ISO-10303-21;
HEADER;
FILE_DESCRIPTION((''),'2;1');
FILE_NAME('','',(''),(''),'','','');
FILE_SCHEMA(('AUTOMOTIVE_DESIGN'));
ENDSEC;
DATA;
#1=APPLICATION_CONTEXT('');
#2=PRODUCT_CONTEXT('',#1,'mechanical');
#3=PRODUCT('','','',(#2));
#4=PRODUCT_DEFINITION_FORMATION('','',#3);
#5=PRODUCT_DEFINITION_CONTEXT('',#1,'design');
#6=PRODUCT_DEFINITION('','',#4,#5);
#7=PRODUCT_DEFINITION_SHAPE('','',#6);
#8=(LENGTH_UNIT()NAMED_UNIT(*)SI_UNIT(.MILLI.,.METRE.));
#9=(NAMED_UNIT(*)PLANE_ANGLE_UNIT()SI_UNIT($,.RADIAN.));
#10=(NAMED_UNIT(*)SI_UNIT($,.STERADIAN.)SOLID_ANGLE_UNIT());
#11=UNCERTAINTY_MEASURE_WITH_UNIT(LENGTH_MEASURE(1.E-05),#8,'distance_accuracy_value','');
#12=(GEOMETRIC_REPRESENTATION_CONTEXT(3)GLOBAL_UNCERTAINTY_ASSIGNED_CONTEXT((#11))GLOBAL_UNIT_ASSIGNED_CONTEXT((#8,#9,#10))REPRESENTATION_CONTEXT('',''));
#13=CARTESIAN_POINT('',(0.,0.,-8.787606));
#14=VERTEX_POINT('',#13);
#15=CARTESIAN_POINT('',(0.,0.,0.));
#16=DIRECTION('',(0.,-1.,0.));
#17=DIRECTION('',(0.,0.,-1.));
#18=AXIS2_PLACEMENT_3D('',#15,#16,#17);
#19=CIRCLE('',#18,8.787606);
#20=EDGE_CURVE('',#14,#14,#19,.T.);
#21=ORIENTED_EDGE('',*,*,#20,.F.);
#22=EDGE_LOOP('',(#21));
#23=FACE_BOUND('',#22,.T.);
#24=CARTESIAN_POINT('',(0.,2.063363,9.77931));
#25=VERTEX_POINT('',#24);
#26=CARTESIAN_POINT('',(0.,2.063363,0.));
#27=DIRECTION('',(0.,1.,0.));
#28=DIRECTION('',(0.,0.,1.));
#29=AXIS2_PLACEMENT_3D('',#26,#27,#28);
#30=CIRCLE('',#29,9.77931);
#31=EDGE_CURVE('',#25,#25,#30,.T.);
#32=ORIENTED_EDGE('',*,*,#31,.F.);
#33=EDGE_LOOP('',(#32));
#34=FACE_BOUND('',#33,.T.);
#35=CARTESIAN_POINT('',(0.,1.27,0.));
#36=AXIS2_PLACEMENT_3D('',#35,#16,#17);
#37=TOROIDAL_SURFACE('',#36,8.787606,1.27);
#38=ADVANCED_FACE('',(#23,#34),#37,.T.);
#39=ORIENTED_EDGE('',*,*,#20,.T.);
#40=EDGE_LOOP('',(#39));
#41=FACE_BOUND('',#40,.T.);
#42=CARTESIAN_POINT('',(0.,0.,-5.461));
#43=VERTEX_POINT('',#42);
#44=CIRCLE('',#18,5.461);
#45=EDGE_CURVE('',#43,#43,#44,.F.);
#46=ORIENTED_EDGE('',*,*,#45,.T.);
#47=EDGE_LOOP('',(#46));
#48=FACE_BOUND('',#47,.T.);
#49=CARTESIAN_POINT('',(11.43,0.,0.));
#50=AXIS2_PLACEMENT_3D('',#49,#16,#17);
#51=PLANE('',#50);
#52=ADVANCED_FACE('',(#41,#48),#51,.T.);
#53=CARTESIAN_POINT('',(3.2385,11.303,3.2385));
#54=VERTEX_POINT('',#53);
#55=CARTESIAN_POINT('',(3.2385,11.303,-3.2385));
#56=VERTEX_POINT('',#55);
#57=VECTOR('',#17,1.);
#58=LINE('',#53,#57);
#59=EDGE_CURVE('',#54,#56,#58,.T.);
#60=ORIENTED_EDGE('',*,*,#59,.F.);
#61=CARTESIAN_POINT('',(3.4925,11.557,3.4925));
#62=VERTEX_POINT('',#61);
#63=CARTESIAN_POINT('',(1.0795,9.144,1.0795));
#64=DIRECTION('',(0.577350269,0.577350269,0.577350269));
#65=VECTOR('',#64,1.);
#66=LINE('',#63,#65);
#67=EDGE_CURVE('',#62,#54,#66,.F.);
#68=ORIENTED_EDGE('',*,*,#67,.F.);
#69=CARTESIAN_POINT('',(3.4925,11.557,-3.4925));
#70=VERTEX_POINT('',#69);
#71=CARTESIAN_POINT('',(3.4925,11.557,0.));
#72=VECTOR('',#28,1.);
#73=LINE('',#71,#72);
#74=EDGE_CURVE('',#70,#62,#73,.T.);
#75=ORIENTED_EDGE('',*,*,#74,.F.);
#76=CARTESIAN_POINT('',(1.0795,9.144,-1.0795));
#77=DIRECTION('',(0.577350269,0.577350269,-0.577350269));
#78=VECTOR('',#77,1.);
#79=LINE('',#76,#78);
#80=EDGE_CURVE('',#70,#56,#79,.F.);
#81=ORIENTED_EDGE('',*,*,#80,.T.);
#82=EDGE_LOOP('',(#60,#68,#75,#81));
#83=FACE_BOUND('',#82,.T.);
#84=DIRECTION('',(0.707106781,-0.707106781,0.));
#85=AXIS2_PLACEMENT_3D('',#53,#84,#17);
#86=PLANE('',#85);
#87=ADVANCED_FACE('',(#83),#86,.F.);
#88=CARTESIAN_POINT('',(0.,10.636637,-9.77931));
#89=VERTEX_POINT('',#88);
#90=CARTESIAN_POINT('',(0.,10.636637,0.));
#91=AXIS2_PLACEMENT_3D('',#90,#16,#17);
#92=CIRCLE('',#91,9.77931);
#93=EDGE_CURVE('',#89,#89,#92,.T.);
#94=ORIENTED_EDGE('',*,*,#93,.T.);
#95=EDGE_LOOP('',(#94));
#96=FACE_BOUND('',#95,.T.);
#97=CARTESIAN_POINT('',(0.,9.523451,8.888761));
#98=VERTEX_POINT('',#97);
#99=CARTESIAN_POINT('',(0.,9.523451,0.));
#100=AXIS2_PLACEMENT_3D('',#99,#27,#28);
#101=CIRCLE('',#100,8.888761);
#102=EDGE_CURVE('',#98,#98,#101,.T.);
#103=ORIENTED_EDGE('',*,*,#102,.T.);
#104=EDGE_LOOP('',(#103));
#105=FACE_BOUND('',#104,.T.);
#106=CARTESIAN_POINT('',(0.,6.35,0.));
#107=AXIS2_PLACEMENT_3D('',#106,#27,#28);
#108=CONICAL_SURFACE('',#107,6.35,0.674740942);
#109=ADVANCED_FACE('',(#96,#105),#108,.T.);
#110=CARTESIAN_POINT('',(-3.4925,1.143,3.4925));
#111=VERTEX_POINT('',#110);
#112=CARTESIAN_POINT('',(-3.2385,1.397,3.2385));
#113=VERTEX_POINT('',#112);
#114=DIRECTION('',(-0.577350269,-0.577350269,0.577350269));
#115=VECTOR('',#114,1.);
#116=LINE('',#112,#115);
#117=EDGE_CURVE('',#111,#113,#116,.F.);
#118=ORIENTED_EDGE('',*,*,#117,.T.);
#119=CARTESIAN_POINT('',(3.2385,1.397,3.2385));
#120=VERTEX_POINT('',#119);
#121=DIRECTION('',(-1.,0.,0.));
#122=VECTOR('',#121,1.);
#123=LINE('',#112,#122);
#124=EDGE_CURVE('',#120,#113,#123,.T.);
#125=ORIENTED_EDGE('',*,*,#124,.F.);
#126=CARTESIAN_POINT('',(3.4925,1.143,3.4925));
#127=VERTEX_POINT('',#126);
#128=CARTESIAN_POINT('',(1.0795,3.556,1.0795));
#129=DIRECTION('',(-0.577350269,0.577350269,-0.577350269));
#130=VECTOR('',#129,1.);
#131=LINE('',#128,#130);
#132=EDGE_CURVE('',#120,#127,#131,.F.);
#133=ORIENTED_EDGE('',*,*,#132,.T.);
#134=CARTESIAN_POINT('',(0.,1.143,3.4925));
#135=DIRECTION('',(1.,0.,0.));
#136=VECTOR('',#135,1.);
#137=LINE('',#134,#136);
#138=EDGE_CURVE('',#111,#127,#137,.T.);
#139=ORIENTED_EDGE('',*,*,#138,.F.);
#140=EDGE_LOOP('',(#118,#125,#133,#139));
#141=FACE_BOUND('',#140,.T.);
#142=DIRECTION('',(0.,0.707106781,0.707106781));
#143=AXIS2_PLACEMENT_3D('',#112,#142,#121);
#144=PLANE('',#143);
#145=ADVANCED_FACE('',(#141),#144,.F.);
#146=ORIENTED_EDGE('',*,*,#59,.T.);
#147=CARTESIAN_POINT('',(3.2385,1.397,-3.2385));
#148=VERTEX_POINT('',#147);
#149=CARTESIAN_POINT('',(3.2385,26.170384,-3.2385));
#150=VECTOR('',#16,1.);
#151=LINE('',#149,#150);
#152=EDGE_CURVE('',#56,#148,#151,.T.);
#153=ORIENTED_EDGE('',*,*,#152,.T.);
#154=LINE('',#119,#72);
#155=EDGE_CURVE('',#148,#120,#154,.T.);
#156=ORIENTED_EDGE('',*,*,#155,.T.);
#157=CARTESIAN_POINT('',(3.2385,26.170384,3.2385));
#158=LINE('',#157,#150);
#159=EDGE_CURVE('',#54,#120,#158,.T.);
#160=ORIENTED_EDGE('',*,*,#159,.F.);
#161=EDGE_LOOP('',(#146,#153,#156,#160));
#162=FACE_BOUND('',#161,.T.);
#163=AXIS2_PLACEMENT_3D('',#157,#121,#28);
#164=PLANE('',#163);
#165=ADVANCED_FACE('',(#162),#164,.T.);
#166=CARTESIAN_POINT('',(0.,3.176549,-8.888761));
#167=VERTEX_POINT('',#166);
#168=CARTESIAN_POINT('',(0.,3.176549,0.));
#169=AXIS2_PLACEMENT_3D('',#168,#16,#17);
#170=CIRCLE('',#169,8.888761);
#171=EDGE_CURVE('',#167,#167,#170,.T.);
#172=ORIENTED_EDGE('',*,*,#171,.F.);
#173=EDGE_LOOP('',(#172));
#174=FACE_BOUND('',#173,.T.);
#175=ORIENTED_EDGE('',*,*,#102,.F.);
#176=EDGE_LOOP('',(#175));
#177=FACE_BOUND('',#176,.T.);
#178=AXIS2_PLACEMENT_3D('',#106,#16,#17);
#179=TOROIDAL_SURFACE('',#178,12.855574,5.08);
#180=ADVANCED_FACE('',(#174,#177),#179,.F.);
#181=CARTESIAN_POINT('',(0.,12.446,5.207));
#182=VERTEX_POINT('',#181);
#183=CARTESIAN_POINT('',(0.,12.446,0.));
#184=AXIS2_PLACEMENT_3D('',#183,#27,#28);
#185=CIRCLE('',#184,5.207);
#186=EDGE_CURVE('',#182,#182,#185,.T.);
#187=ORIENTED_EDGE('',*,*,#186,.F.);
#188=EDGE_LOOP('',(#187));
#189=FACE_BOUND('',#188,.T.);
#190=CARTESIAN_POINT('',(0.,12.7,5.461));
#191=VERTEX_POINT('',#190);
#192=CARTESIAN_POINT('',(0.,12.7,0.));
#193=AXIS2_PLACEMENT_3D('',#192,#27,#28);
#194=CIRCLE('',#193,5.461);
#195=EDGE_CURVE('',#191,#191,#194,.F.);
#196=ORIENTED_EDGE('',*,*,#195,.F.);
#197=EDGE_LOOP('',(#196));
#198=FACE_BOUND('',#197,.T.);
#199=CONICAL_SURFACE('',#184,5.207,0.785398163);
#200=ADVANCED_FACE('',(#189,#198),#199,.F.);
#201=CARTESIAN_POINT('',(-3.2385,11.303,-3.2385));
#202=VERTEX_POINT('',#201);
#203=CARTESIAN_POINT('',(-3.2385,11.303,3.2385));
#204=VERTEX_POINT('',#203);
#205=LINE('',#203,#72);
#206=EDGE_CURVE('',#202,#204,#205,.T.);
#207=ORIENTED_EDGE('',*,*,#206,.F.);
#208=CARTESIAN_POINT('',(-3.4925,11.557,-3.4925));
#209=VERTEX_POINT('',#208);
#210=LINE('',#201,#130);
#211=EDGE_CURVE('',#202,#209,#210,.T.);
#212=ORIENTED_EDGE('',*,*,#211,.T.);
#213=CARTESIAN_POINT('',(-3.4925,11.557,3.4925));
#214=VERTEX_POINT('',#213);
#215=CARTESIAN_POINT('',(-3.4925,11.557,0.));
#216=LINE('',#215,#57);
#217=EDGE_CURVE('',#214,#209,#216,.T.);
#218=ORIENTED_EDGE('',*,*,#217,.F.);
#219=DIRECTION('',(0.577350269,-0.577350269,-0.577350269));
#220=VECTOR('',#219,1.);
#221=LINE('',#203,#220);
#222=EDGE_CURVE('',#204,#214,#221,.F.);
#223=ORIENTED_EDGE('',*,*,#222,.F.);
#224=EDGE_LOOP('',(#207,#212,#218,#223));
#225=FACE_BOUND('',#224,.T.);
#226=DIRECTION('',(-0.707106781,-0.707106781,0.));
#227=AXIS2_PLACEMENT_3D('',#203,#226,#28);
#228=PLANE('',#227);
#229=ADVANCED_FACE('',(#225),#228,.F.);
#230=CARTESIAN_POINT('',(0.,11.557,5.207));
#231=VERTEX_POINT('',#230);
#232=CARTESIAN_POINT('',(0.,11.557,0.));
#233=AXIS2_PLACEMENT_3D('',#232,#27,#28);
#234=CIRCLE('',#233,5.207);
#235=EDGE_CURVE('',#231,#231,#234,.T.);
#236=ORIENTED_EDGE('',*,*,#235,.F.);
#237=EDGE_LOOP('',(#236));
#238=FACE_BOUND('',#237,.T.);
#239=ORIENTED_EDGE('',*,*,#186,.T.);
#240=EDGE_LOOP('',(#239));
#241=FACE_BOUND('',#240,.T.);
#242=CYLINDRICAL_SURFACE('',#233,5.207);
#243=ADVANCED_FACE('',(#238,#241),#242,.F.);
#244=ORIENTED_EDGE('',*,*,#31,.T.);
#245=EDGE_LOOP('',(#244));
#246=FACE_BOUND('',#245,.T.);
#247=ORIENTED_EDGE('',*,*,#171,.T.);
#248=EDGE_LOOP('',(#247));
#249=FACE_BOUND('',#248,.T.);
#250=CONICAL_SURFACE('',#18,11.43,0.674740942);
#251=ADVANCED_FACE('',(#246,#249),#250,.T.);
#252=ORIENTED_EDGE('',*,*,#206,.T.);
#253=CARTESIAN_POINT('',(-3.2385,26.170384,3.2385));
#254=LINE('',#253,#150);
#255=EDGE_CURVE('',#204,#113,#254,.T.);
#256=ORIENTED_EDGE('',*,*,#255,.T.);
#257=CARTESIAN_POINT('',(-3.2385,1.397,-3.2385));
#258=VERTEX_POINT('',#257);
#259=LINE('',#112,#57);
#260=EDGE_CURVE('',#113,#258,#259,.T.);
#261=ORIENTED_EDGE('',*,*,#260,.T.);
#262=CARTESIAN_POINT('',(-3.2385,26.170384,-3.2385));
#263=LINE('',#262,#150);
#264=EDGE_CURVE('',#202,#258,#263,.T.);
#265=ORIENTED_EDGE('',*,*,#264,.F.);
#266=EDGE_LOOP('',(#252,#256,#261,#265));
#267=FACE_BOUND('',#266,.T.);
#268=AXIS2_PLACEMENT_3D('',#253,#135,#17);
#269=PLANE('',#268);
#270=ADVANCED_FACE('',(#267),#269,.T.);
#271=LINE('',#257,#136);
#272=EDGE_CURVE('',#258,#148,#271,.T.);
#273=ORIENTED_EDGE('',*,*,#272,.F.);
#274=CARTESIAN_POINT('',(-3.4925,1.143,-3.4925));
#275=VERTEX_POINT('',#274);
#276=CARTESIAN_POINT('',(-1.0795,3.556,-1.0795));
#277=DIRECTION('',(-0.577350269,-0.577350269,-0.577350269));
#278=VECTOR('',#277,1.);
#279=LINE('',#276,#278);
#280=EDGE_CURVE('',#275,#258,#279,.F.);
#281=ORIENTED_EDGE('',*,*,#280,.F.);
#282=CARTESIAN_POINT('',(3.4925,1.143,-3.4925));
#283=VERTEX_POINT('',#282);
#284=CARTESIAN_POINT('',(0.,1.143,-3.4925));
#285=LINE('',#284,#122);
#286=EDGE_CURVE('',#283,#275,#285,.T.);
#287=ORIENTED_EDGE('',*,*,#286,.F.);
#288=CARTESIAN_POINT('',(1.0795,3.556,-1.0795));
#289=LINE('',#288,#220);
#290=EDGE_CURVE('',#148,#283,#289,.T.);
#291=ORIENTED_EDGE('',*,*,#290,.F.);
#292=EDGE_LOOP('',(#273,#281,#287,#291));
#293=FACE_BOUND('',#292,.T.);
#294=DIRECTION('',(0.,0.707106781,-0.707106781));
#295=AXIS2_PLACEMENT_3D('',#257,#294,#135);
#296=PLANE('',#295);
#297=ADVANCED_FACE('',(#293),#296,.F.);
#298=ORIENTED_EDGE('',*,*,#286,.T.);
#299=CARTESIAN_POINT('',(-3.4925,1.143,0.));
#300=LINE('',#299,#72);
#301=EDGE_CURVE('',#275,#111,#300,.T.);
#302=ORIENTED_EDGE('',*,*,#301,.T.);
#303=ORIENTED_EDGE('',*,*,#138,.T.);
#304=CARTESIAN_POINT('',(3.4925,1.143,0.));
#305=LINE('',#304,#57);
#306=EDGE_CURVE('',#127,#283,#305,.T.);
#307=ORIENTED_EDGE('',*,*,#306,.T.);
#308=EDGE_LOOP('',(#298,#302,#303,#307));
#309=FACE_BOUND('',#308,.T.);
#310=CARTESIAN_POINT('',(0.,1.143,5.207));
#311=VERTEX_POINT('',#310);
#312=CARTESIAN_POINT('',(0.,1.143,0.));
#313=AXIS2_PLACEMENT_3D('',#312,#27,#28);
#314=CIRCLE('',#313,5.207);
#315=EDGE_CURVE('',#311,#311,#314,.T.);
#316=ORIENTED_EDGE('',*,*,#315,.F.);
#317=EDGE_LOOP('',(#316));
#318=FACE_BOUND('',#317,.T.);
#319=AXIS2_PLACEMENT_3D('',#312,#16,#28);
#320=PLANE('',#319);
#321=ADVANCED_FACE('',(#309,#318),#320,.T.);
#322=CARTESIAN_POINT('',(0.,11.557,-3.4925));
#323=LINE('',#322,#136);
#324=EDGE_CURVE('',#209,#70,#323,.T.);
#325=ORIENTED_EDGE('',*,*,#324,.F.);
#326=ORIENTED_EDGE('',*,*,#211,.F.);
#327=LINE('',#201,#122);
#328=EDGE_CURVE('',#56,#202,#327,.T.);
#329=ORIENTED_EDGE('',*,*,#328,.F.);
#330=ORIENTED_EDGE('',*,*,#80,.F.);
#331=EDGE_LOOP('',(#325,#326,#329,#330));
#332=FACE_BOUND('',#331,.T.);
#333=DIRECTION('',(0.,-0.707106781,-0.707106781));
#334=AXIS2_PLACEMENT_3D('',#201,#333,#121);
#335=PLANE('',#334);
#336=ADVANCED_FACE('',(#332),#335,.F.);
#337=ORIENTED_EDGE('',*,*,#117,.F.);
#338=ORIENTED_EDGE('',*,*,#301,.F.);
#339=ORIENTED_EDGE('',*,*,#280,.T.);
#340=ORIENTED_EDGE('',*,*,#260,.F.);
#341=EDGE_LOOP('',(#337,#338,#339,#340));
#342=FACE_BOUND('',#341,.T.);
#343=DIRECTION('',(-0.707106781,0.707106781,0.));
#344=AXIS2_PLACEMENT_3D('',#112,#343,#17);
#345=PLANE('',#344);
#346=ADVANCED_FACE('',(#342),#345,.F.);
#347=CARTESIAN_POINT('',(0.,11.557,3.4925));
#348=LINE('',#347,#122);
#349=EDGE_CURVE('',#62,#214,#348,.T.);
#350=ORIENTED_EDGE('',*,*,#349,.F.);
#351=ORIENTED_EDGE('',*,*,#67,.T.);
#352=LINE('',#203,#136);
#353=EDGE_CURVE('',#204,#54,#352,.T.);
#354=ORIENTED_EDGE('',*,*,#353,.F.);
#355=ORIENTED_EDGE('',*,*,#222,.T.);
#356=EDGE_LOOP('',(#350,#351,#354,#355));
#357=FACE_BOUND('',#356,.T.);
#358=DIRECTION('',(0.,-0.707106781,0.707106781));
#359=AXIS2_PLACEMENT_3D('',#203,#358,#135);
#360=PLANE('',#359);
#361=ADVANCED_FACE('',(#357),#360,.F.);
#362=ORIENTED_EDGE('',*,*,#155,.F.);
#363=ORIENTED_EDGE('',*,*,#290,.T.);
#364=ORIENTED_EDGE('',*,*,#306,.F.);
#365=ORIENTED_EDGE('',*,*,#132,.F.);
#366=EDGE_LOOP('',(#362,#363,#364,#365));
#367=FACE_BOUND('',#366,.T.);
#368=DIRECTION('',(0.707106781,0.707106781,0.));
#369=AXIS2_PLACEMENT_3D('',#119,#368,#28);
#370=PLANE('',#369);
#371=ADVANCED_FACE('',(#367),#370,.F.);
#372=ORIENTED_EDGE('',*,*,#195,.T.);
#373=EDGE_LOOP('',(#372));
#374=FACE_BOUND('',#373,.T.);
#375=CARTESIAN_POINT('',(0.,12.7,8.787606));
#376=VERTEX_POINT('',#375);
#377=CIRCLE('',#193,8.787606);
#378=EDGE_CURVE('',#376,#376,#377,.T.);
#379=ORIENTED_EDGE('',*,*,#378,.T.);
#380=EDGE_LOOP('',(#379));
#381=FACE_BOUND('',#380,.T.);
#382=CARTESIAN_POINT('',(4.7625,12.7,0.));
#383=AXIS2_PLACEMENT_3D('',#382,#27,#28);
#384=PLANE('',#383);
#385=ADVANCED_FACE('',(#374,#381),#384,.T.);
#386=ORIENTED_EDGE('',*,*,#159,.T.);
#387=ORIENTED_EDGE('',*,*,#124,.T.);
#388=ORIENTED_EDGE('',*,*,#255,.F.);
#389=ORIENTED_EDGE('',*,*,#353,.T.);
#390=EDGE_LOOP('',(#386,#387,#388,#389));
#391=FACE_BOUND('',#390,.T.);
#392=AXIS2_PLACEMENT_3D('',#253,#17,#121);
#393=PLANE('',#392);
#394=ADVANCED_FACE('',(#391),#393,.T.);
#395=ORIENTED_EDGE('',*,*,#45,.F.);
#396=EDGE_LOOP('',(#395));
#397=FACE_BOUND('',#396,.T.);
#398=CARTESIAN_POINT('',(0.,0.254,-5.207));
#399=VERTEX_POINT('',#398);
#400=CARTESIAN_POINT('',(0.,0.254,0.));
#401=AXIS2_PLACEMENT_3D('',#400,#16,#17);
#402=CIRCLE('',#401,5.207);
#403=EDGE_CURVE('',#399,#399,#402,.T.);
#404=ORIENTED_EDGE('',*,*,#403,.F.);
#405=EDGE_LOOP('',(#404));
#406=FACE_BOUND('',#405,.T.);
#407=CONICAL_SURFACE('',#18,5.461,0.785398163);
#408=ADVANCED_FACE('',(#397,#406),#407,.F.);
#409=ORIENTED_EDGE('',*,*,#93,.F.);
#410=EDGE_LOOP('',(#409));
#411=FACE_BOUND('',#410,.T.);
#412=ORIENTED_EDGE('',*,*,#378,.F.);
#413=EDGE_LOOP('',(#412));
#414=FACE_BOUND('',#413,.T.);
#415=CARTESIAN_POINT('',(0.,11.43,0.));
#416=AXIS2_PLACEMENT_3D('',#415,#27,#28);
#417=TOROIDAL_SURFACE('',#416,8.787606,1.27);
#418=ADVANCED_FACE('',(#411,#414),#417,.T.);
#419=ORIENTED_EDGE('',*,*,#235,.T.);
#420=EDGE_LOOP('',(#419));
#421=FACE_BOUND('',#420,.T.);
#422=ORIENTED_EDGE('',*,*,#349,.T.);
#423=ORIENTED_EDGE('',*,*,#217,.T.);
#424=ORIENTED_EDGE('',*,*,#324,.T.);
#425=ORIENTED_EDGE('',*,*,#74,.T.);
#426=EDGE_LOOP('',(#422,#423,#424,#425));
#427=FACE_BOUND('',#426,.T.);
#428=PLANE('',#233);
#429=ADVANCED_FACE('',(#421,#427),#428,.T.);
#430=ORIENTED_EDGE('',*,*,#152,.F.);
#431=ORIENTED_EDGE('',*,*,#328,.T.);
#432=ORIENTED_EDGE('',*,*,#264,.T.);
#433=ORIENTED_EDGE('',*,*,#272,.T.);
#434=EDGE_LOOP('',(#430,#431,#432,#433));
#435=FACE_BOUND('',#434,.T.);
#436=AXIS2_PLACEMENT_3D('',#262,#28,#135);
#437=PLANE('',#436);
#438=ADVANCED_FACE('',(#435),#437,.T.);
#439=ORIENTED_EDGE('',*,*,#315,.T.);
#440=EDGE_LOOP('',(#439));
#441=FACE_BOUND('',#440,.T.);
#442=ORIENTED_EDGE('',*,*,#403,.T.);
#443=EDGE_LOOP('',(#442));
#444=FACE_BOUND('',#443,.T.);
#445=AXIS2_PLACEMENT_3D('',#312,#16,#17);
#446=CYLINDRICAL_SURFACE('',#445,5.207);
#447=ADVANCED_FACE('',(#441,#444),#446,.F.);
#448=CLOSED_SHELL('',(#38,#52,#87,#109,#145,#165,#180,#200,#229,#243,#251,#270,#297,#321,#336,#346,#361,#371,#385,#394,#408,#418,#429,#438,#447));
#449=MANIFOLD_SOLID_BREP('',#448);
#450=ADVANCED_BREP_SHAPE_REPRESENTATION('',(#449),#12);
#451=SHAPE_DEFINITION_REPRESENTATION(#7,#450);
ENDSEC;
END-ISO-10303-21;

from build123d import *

# Parameters (mm, degrees)
FILLET1_R                       = 5.08
FILLET2_R                       = 1.27
BOSS_EXTRUDE1_REACH             = 19.048
SKETCH2_R                       = 4.7625
SKETCH2_W                       = 6.477
SKETCH2_H                       = 6.477
BOSS_EXTRUDE1_DIRECTION_2_REACH = 19.048
SKETCH3_W                       = 6.477
SKETCH3_H                       = 6.477
CUT_EXTRUDE1_DEPTH              = 18.047970635
SKETCH4_R                       = 5.207
CUT_EXTRUDE2_DEPTH              = 1.143
CHAMFER2_SIZE                   = 0.254


with BuildPart() as part:
    # Sketch1 → Revolve1 (revolve)
    with BuildSketch(Plane.XY, mode=Mode.PRIVATE) as revolve1_sk:
        Polygon((4.7625, 0), (4.7625, 3.302), (2.8575, 3.302), (2.8575, 9.398), (4.7625, 9.398), (4.7625, 12.7), (11.43, 12.7), (6.35, 6.35), (11.43, 0), align=None)
    revolve(revolve1_sk.sketch.rotate(Axis((0, 0, 0), (0, 1, 0)), 90), axis=Axis((0, 0, 0), (0, 1, 0)))

    # Fillet1
    fillet1_edges = [part.edges().sort_by_distance(p)[0] for p in [
        (0, 6.35, 6.35),
    ]]
    fillet(fillet1_edges, radius=FILLET1_R)

    # Fillet2
    fillet2_edges = [part.edges().sort_by_distance(p)[0] for p in [
        (0, 0, 11.43),
        (0, 12.7, 11.43),
    ]]
    fillet(fillet2_edges, radius=FILLET2_R)

    # Boss-Extrude1: up to this face of the body (flat: up to its plane)
    boss_extrude1_end = Plane(part.part.faces().sort_by_distance((0, 12.7, 8.539055399))[0])
    # Sketch2 → Boss-Extrude1 (add, up to the picked face)
    with BuildSketch(Plane(origin=(0, 9.398, 0), x_dir=(1, 0, 0), z_dir=(0, 1, 0)), mode=Mode.PRIVATE) as boss_extrude1_sk1:
        Circle(SKETCH2_R)
        Rectangle(SKETCH2_W, SKETCH2_H, mode=Mode.SUBTRACT)
    boss_extrude1_tool1 = split(extrude(boss_extrude1_sk1.sketch, amount=BOSS_EXTRUDE1_REACH, mode=Mode.PRIVATE), bisect_by=boss_extrude1_end, keep=Keep.BOTH, mode=Mode.PRIVATE)
    add(boss_extrude1_tool1.solids().sort_by(Axis((-4.627796, 9.398, 0), (0, 1, 0)))[0])

    # Boss-Extrude1 direction 2: up to this face of the body (flat: up to its plane)
    boss_extrude1_direction_2_end = Plane(part.part.faces().sort_by_distance((0, 0, 8.539055399))[0])
    # Sketch2 → Boss-Extrude1 direction 2 (add, up to the picked face)
    with BuildSketch(Plane(origin=(0, 9.398, 0), x_dir=(1, 0, 0), z_dir=(0, 1, 0)), mode=Mode.PRIVATE) as boss_extrude1_direction_2_sk1:
        Circle(SKETCH2_R)
        Rectangle(SKETCH2_W, SKETCH2_H, mode=Mode.SUBTRACT)
    boss_extrude1_direction_2_tool1 = split(extrude(boss_extrude1_direction_2_sk1.sketch, amount=-BOSS_EXTRUDE1_DIRECTION_2_REACH, mode=Mode.PRIVATE), bisect_by=boss_extrude1_direction_2_end, keep=Keep.BOTH, mode=Mode.PRIVATE)
    add(boss_extrude1_direction_2_tool1.solids().sort_by(Axis((-4.627796, 9.398, 0), (0, -1, 0)))[0])

    # Sketch3 → Cut-Extrude1 (cut, through all)
    with BuildSketch(Plane(origin=(0, 9.398, 0), x_dir=(1, 0, 0), z_dir=(0, 1, 0))):
        Rectangle(SKETCH3_W, SKETCH3_H)
    extrude(amount=-CUT_EXTRUDE1_DEPTH, mode=Mode.SUBTRACT)

    # Sketch4 → Cut-Extrude2 (cut)
    with BuildSketch(Plane(origin=(0, 12.7, 0), x_dir=(1, 0, 0), z_dir=(0, 1, 0))):
        with Locations(Location((0, 0, 0), (0, 0, 270))):
            Circle(SKETCH4_R)
    cut_extrude2 = extrude(amount=-CUT_EXTRUDE2_DEPTH, mode=Mode.SUBTRACT)

    # Mirror1: Cut-Extrude2 across plane
    add(cut_extrude2.mirror(Plane.ZX.offset(6.35)), mode=Mode.SUBTRACT)

    # Chamfer2
    chamfer2_edges = [part.edges().sort_by_distance(p)[0] for p in [
        (3.2385, 11.557, 0),
        (-3.2385, 11.557, 0),
        (0, 11.557, 3.2385),
        (0, 11.557, -3.2385),
        (0, 12.7, -5.207),
        (3.2385, 1.143, 0),
        (0, 0, -5.207),
        (0, 1.143, 3.2385),
        (-3.2385, 1.143, 0),
        (0, 1.143, -3.2385),
    ]]
    chamfer(chamfer2_edges, length=CHAMFER2_SIZE)


solid = part.part
